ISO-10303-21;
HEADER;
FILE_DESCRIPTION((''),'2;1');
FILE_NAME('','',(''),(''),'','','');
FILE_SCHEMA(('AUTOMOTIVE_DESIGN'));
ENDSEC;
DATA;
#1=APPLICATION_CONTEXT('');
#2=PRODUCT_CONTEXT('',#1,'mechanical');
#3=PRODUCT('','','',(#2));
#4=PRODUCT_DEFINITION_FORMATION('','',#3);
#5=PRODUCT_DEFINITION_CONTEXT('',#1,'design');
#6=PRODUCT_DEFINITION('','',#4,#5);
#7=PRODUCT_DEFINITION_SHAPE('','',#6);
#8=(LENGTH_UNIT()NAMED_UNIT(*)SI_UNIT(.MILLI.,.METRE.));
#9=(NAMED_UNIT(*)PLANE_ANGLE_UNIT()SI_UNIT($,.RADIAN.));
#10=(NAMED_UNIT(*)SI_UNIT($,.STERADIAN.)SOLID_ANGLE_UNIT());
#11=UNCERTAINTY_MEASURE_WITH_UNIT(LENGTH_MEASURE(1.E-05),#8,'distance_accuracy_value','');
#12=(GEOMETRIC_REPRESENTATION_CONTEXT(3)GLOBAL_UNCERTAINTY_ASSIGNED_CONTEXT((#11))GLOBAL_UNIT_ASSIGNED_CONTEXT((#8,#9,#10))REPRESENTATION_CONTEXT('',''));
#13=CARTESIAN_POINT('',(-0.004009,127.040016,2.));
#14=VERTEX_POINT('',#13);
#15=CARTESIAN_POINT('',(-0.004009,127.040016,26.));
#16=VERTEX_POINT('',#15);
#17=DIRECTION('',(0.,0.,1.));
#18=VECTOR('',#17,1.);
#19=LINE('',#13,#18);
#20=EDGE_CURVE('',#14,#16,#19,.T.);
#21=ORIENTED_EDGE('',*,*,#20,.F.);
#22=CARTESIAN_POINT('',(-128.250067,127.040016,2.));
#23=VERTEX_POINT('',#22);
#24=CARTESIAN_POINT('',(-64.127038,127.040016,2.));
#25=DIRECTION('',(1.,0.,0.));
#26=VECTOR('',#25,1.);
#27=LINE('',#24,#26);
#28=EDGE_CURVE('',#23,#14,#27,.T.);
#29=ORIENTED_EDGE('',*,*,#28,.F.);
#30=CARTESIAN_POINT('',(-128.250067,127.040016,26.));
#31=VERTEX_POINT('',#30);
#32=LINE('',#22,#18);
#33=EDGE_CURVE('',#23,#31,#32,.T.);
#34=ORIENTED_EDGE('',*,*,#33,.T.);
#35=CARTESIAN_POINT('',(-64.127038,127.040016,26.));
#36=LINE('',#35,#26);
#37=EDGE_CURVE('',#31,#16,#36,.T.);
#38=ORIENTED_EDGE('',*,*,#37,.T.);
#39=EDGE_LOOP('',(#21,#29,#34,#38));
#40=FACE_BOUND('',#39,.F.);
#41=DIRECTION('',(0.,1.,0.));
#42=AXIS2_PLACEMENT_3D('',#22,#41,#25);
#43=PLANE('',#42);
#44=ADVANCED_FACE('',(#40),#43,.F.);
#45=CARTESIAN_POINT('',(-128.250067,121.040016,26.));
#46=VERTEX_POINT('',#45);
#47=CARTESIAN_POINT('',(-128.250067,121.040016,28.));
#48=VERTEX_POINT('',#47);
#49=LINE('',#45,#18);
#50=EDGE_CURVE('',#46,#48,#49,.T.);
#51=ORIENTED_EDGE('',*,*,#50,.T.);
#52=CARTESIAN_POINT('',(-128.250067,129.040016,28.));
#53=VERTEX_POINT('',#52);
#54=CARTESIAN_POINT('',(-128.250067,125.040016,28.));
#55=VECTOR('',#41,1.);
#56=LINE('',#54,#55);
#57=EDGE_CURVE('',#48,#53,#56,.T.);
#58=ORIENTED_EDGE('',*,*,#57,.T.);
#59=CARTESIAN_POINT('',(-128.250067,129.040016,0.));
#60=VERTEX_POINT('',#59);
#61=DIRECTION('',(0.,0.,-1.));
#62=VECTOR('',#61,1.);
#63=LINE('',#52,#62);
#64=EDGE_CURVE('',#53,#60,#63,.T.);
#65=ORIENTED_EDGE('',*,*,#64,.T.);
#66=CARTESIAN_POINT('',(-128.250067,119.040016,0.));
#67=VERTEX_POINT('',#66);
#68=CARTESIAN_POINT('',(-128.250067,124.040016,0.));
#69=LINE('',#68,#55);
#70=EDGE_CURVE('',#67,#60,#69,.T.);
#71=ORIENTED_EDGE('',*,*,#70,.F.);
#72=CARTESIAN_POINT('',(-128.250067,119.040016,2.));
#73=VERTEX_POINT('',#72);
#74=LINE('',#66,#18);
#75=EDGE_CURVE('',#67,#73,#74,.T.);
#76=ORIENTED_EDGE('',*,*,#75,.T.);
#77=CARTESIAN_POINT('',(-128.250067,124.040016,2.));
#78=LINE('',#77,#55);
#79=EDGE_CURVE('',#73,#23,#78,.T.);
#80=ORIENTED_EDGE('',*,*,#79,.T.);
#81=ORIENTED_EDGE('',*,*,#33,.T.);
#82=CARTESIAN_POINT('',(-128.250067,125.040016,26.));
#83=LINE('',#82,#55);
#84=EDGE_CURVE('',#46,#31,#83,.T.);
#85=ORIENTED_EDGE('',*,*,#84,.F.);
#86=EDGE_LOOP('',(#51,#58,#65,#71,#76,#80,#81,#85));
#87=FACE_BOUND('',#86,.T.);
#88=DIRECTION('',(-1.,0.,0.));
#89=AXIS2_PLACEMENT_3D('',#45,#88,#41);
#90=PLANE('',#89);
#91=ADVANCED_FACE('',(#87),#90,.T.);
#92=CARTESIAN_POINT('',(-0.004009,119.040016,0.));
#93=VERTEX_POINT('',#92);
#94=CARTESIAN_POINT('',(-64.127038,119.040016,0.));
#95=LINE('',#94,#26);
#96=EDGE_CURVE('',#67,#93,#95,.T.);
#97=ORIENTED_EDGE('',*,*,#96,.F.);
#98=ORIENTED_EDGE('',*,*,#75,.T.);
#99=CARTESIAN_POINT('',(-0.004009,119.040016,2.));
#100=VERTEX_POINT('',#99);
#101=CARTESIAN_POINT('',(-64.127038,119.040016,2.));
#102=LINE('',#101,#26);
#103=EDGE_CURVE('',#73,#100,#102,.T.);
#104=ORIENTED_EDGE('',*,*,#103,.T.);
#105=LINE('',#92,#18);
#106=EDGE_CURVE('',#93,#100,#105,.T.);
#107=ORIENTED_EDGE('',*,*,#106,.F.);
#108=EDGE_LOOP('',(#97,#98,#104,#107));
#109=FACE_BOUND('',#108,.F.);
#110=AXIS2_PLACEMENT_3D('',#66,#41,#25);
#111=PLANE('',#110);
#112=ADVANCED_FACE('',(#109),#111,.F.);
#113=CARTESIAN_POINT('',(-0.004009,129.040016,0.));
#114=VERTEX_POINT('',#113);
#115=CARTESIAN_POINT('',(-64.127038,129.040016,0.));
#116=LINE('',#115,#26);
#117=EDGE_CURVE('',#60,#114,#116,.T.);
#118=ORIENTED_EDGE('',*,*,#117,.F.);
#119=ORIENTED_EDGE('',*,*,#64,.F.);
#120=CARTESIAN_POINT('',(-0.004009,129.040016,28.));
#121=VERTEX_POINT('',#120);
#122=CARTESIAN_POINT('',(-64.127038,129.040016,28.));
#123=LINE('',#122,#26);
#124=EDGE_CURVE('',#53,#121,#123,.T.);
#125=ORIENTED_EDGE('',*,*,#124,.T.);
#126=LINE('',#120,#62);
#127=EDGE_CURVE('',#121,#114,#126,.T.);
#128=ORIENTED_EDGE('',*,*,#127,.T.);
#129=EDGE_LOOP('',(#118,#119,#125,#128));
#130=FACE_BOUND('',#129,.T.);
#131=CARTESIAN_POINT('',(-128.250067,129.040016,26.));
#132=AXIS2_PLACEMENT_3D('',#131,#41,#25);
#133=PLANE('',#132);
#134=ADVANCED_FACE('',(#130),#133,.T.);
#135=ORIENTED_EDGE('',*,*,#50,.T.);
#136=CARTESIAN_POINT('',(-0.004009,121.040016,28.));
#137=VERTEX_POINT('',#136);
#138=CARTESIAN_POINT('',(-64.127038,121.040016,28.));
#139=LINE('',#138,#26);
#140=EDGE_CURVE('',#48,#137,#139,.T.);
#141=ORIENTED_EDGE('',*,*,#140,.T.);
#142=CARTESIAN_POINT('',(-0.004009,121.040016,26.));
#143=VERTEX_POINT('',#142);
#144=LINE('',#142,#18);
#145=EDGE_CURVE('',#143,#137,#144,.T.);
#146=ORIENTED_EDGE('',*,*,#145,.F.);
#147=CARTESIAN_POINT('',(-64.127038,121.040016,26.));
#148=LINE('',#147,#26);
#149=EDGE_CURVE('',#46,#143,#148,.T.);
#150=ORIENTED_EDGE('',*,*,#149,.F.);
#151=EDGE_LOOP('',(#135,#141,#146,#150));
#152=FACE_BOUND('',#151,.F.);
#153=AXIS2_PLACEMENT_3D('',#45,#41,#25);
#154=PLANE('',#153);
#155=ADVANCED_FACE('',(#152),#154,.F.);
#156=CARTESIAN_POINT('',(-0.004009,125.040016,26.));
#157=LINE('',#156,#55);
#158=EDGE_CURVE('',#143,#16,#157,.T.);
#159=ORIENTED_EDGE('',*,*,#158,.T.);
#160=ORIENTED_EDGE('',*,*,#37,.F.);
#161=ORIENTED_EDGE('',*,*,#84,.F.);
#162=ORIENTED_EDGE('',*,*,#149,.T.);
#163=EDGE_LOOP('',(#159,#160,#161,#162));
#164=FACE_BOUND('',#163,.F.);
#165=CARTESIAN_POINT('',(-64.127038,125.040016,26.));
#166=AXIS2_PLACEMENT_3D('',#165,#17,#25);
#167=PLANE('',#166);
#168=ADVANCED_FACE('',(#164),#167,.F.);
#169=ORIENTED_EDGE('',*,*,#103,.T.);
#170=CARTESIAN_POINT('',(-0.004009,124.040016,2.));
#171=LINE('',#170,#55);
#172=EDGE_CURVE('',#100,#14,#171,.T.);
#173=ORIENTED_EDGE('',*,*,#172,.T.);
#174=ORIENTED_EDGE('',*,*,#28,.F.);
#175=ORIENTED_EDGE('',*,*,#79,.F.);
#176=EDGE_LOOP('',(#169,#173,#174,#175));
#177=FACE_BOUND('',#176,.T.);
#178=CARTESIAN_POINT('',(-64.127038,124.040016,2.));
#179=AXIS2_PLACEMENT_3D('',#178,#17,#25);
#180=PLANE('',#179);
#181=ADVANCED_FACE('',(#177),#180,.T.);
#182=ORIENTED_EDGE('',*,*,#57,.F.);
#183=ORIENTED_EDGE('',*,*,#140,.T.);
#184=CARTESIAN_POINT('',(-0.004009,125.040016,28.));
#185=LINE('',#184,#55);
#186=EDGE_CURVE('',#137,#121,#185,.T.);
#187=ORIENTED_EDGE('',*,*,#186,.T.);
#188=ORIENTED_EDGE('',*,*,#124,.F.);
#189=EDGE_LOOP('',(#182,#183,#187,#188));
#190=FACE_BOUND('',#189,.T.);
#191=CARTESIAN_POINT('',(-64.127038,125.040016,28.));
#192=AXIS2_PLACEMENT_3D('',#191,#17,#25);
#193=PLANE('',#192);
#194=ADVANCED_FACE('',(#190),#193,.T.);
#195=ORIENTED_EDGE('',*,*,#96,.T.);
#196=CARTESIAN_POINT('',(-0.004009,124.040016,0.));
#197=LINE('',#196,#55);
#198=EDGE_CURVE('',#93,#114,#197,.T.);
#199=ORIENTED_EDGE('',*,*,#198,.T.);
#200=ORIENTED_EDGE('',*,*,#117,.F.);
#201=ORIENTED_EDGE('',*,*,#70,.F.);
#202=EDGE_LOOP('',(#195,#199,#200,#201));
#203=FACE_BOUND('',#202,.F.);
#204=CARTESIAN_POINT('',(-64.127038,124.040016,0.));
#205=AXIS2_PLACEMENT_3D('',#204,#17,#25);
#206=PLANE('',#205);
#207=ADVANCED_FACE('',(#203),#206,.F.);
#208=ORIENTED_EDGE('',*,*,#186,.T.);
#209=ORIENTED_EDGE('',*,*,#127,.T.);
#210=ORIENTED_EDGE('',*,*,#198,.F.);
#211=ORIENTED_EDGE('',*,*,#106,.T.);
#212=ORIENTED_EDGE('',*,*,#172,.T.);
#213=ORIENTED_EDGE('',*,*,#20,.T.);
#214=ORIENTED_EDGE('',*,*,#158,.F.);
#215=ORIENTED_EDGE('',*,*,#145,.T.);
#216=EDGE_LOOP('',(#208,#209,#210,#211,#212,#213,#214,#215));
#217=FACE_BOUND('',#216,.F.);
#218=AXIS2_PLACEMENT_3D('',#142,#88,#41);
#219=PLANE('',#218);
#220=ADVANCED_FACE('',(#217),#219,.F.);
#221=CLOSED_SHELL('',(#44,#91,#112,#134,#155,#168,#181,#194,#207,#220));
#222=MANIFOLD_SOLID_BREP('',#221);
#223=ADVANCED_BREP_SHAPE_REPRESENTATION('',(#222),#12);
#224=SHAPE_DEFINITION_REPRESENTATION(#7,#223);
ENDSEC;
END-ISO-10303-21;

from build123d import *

# Parameters (mm, degrees)
ESQUISSE1_W        = 128.24605794
ESQUISSE1_H        = 10
BOSS_EXTRU_2_DEPTH = 2
ESQUISSE2_W        = 128.24605794
ESQUISSE2_H        = 2
BOSS_EXTRU_3_DEPTH = 24
ESQUISSE3_W        = 128.24605794
ESQUISSE3_H        = 8
BOSS_EXTRU_4_DEPTH = 2


with BuildPart() as part:
    # Esquisse1 → Boss.-Extru.2 (new body)
    with BuildSketch(Plane.XY):
        with Locations((-64.12703781, 124.040016289)):
            Rectangle(ESQUISSE1_W, ESQUISSE1_H)
    extrude(amount=BOSS_EXTRU_2_DEPTH)

    # Esquisse2 → Boss.-Extru.3 (add)
    with BuildSketch(Plane.XY.offset(2)):
        with Locations((-64.12703781, 128.040016289)):
            Rectangle(ESQUISSE2_W, ESQUISSE2_H)
    extrude(amount=BOSS_EXTRU_3_DEPTH)

    # Esquisse3 → Boss.-Extru.4 (add)
    with BuildSketch(Plane.XY.offset(26)):
        with Locations((-64.12703781, 125.040016289)):
            Rectangle(ESQUISSE3_W, ESQUISSE3_H)
    extrude(amount=BOSS_EXTRU_4_DEPTH)


solid = part.part
